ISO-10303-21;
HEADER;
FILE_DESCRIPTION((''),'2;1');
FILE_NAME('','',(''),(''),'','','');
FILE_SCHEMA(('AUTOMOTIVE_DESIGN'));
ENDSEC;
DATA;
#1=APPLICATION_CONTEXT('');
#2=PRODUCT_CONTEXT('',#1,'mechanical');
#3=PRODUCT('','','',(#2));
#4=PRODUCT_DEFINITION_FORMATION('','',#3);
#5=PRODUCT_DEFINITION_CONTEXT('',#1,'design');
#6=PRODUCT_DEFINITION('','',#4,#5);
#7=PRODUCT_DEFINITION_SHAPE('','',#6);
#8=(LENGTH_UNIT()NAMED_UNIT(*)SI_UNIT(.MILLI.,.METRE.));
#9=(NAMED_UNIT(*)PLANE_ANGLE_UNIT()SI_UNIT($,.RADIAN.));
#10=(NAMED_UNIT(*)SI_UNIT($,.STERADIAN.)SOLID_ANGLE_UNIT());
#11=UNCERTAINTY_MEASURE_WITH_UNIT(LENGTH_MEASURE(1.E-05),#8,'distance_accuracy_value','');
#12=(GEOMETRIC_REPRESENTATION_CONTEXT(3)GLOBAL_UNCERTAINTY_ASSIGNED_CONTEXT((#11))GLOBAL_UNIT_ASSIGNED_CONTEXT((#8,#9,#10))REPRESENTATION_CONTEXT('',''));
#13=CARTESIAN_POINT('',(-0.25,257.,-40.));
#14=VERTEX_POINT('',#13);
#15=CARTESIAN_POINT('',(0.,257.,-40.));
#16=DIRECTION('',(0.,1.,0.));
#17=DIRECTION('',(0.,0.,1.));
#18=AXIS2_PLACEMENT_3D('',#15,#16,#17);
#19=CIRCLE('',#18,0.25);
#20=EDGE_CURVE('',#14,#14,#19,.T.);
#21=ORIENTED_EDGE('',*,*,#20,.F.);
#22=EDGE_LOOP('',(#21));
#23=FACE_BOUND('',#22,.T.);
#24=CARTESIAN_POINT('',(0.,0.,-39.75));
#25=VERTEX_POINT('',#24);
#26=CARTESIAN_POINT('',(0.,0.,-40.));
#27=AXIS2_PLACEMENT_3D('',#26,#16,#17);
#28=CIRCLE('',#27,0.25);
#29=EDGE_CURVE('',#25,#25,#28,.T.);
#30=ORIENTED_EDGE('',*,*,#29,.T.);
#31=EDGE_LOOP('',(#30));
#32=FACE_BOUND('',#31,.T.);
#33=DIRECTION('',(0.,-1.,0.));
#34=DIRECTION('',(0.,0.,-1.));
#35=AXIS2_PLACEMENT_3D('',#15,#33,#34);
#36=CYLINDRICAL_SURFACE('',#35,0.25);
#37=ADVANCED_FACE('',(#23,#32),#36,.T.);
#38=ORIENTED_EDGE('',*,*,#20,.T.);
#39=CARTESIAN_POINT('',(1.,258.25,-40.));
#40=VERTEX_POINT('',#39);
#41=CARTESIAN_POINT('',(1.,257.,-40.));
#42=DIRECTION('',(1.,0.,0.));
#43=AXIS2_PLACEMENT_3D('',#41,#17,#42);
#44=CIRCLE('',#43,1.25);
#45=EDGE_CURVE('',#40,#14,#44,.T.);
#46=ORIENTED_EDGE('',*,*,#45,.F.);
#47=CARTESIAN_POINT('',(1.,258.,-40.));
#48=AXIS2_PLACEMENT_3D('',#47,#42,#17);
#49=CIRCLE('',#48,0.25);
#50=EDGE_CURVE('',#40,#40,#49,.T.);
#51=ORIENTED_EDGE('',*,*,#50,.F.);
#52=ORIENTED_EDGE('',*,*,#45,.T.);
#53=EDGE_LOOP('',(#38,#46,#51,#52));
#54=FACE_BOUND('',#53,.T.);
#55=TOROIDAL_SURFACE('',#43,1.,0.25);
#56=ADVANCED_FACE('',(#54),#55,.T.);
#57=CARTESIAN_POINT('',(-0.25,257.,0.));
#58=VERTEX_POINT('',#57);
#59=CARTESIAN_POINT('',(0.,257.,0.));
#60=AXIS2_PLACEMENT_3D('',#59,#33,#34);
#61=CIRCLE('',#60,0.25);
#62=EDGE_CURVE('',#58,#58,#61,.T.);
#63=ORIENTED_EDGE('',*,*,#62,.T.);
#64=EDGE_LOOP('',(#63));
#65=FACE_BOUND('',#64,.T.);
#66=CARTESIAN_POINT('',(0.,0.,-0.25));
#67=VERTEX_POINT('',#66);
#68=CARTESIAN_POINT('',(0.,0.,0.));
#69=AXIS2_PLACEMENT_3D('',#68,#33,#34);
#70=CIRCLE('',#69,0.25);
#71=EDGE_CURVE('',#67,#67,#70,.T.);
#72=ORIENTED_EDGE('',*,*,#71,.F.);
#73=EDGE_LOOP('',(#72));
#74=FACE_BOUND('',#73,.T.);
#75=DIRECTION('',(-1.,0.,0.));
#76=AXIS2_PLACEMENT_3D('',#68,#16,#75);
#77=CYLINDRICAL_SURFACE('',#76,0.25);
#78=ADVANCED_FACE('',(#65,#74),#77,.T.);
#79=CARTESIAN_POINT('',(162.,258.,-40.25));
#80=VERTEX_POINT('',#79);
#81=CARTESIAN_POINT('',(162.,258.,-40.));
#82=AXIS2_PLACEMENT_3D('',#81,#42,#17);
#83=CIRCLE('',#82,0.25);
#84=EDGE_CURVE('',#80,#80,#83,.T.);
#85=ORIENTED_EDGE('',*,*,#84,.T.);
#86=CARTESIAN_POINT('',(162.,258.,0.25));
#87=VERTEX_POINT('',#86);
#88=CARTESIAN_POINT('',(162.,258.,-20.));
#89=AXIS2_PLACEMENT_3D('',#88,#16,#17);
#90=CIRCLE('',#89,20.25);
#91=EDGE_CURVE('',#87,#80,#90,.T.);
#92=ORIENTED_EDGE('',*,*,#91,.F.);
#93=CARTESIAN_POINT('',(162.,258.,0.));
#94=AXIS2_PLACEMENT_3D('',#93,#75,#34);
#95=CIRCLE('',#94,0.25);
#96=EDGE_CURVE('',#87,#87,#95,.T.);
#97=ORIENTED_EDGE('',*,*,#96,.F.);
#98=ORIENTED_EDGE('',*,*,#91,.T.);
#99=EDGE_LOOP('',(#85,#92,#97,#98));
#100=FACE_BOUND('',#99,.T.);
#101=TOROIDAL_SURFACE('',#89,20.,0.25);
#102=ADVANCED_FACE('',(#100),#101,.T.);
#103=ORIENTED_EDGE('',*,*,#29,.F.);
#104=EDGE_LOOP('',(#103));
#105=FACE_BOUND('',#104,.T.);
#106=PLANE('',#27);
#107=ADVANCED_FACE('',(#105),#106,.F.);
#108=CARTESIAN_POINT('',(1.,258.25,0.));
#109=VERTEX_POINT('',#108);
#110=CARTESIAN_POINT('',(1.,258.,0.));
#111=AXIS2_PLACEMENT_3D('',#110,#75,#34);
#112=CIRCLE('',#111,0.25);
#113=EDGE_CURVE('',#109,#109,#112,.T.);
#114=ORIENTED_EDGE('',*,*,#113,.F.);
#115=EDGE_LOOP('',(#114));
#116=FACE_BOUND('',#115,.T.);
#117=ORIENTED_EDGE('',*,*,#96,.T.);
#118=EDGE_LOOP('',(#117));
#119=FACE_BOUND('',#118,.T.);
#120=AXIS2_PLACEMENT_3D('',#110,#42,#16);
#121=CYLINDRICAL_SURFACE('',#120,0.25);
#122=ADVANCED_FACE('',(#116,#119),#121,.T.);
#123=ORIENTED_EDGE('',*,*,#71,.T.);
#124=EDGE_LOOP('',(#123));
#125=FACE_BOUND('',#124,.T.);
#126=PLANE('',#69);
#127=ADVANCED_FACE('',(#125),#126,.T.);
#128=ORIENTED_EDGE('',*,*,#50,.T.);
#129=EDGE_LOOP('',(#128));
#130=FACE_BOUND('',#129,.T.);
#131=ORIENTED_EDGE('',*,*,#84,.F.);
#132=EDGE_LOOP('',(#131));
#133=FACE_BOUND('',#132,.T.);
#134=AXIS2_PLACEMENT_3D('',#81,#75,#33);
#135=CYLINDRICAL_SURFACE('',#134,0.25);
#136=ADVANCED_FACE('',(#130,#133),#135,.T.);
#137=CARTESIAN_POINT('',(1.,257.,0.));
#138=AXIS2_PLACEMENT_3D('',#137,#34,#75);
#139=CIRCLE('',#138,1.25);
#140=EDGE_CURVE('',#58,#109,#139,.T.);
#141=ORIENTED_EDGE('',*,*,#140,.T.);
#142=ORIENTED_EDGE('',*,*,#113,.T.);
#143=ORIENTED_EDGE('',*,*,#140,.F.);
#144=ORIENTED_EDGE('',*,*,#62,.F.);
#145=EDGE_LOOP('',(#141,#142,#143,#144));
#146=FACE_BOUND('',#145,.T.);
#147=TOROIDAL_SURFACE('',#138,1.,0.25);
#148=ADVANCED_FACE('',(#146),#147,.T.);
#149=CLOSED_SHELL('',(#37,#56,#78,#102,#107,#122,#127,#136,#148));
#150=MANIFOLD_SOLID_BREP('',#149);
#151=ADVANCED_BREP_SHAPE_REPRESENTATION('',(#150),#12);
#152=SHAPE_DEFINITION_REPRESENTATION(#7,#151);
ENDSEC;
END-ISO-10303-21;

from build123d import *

# Parameters (mm, degrees)
BALAYAGE1_PROFILE_R = 0.25


with BuildPart() as part:
    # Balayage1: sweep along a curve in space
    with BuildLine() as balayage1_path:
        Line((0, 0, 0), (0, 257, 0))
        ThreePointArc((1, 258, 0), (0.292893219, 257.707106781, 0), (0, 257, 0))
        Line((1, 258, 0), (162, 258, 0))
        ThreePointArc((162, 258, -40), (182, 258, -20), (162, 258, 0))
        Line((162, 258, -40), (1, 258, -40))
        ThreePointArc((1, 258, -40), (0.292893219, 257.707106781, -40), (0, 257, -40))
        Line((0, 257, -40), (0, 0, -40))
    # Balayage1 profile (on start of the path) → Balayage1 (sweep)
    with BuildSketch(Plane(origin=(0, 0, 0), x_dir=(1, 0, 0), z_dir=(0, 1, 0))):
        Circle(BALAYAGE1_PROFILE_R)
    sweep(path=balayage1_path.line)


solid = part.part
